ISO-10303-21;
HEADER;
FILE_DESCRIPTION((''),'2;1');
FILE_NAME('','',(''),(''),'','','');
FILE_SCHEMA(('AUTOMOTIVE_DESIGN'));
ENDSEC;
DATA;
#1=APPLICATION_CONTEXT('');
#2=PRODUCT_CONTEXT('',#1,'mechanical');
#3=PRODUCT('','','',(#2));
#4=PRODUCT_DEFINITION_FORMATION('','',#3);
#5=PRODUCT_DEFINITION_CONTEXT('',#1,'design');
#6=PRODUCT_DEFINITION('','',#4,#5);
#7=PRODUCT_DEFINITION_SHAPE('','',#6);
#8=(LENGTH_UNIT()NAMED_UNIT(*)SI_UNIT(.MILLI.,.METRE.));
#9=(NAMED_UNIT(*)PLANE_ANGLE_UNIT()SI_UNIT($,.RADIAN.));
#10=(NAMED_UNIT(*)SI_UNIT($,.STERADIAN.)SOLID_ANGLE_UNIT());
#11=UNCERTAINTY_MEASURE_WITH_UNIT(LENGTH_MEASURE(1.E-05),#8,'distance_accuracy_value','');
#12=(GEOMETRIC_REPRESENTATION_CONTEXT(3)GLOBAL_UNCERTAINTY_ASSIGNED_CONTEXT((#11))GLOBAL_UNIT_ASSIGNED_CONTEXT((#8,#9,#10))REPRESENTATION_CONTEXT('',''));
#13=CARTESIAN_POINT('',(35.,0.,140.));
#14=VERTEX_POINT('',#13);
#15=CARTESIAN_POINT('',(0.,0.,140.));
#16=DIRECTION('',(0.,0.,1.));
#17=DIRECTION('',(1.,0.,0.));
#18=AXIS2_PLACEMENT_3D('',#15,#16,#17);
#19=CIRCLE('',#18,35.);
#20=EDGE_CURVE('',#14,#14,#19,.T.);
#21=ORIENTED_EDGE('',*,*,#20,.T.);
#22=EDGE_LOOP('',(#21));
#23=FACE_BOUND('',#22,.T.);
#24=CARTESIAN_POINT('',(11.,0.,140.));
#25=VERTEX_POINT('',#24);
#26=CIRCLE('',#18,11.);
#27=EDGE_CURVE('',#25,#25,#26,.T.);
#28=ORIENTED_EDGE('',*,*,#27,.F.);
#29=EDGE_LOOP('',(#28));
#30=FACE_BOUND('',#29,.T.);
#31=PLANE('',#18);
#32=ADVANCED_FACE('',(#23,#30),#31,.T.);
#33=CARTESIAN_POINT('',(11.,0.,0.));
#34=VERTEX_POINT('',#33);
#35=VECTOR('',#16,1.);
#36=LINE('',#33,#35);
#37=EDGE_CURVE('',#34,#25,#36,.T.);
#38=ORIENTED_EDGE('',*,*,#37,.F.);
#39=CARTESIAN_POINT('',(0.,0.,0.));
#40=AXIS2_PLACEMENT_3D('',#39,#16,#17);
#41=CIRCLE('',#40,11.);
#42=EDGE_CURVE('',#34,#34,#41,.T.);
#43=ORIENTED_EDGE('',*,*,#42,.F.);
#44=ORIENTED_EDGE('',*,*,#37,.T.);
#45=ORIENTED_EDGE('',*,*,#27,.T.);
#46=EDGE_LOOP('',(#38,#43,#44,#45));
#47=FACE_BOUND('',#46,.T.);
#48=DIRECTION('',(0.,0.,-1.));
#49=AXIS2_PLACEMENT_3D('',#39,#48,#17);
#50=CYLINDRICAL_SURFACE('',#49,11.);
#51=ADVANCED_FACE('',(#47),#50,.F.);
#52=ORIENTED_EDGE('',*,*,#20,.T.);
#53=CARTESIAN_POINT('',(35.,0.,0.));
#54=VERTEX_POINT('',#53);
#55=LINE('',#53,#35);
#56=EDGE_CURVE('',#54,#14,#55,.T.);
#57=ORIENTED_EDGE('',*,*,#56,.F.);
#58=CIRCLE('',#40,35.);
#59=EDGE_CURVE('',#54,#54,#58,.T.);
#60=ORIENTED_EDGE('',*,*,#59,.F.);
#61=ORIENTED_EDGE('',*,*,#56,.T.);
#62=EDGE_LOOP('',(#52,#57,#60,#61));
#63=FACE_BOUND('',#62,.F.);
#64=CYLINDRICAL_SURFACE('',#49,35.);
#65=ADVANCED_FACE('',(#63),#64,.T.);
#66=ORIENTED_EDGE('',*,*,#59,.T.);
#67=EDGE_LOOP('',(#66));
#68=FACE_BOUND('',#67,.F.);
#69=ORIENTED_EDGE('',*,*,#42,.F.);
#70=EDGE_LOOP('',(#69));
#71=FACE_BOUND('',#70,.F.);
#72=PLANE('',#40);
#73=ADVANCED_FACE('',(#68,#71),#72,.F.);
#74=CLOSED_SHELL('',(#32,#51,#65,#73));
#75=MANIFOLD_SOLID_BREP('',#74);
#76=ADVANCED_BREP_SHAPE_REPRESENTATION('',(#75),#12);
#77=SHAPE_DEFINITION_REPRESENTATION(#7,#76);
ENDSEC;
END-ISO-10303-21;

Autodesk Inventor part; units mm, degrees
ref_plane "YZ Plane" through (0, 0, 0) normal (1, 0, 0) x (0, 1, 0)
ref_plane "XZ Plane" through (0, 0, 0) normal (0, 1, 0) x (-1, 0, 0)
ref_plane "XY Plane" through (0, 0, 0) normal (0, 0, 1) x (1, 0, 0)
sketch "Szkic1" plane through (0, 0, 0) normal (0, 0, 1) x (1, 0, 0)
  circle A0 centre (0, 0) radius 35
  circle A1 centre (0, 0) radius 11
  dimension "d0" = 70
  dimension "d1" = 22
extrude "Wyciągnięcie proste1" add sketch "Szkic1" along normal blind 140
properties part number "wał_tylni2_Drukowanie 3D"
